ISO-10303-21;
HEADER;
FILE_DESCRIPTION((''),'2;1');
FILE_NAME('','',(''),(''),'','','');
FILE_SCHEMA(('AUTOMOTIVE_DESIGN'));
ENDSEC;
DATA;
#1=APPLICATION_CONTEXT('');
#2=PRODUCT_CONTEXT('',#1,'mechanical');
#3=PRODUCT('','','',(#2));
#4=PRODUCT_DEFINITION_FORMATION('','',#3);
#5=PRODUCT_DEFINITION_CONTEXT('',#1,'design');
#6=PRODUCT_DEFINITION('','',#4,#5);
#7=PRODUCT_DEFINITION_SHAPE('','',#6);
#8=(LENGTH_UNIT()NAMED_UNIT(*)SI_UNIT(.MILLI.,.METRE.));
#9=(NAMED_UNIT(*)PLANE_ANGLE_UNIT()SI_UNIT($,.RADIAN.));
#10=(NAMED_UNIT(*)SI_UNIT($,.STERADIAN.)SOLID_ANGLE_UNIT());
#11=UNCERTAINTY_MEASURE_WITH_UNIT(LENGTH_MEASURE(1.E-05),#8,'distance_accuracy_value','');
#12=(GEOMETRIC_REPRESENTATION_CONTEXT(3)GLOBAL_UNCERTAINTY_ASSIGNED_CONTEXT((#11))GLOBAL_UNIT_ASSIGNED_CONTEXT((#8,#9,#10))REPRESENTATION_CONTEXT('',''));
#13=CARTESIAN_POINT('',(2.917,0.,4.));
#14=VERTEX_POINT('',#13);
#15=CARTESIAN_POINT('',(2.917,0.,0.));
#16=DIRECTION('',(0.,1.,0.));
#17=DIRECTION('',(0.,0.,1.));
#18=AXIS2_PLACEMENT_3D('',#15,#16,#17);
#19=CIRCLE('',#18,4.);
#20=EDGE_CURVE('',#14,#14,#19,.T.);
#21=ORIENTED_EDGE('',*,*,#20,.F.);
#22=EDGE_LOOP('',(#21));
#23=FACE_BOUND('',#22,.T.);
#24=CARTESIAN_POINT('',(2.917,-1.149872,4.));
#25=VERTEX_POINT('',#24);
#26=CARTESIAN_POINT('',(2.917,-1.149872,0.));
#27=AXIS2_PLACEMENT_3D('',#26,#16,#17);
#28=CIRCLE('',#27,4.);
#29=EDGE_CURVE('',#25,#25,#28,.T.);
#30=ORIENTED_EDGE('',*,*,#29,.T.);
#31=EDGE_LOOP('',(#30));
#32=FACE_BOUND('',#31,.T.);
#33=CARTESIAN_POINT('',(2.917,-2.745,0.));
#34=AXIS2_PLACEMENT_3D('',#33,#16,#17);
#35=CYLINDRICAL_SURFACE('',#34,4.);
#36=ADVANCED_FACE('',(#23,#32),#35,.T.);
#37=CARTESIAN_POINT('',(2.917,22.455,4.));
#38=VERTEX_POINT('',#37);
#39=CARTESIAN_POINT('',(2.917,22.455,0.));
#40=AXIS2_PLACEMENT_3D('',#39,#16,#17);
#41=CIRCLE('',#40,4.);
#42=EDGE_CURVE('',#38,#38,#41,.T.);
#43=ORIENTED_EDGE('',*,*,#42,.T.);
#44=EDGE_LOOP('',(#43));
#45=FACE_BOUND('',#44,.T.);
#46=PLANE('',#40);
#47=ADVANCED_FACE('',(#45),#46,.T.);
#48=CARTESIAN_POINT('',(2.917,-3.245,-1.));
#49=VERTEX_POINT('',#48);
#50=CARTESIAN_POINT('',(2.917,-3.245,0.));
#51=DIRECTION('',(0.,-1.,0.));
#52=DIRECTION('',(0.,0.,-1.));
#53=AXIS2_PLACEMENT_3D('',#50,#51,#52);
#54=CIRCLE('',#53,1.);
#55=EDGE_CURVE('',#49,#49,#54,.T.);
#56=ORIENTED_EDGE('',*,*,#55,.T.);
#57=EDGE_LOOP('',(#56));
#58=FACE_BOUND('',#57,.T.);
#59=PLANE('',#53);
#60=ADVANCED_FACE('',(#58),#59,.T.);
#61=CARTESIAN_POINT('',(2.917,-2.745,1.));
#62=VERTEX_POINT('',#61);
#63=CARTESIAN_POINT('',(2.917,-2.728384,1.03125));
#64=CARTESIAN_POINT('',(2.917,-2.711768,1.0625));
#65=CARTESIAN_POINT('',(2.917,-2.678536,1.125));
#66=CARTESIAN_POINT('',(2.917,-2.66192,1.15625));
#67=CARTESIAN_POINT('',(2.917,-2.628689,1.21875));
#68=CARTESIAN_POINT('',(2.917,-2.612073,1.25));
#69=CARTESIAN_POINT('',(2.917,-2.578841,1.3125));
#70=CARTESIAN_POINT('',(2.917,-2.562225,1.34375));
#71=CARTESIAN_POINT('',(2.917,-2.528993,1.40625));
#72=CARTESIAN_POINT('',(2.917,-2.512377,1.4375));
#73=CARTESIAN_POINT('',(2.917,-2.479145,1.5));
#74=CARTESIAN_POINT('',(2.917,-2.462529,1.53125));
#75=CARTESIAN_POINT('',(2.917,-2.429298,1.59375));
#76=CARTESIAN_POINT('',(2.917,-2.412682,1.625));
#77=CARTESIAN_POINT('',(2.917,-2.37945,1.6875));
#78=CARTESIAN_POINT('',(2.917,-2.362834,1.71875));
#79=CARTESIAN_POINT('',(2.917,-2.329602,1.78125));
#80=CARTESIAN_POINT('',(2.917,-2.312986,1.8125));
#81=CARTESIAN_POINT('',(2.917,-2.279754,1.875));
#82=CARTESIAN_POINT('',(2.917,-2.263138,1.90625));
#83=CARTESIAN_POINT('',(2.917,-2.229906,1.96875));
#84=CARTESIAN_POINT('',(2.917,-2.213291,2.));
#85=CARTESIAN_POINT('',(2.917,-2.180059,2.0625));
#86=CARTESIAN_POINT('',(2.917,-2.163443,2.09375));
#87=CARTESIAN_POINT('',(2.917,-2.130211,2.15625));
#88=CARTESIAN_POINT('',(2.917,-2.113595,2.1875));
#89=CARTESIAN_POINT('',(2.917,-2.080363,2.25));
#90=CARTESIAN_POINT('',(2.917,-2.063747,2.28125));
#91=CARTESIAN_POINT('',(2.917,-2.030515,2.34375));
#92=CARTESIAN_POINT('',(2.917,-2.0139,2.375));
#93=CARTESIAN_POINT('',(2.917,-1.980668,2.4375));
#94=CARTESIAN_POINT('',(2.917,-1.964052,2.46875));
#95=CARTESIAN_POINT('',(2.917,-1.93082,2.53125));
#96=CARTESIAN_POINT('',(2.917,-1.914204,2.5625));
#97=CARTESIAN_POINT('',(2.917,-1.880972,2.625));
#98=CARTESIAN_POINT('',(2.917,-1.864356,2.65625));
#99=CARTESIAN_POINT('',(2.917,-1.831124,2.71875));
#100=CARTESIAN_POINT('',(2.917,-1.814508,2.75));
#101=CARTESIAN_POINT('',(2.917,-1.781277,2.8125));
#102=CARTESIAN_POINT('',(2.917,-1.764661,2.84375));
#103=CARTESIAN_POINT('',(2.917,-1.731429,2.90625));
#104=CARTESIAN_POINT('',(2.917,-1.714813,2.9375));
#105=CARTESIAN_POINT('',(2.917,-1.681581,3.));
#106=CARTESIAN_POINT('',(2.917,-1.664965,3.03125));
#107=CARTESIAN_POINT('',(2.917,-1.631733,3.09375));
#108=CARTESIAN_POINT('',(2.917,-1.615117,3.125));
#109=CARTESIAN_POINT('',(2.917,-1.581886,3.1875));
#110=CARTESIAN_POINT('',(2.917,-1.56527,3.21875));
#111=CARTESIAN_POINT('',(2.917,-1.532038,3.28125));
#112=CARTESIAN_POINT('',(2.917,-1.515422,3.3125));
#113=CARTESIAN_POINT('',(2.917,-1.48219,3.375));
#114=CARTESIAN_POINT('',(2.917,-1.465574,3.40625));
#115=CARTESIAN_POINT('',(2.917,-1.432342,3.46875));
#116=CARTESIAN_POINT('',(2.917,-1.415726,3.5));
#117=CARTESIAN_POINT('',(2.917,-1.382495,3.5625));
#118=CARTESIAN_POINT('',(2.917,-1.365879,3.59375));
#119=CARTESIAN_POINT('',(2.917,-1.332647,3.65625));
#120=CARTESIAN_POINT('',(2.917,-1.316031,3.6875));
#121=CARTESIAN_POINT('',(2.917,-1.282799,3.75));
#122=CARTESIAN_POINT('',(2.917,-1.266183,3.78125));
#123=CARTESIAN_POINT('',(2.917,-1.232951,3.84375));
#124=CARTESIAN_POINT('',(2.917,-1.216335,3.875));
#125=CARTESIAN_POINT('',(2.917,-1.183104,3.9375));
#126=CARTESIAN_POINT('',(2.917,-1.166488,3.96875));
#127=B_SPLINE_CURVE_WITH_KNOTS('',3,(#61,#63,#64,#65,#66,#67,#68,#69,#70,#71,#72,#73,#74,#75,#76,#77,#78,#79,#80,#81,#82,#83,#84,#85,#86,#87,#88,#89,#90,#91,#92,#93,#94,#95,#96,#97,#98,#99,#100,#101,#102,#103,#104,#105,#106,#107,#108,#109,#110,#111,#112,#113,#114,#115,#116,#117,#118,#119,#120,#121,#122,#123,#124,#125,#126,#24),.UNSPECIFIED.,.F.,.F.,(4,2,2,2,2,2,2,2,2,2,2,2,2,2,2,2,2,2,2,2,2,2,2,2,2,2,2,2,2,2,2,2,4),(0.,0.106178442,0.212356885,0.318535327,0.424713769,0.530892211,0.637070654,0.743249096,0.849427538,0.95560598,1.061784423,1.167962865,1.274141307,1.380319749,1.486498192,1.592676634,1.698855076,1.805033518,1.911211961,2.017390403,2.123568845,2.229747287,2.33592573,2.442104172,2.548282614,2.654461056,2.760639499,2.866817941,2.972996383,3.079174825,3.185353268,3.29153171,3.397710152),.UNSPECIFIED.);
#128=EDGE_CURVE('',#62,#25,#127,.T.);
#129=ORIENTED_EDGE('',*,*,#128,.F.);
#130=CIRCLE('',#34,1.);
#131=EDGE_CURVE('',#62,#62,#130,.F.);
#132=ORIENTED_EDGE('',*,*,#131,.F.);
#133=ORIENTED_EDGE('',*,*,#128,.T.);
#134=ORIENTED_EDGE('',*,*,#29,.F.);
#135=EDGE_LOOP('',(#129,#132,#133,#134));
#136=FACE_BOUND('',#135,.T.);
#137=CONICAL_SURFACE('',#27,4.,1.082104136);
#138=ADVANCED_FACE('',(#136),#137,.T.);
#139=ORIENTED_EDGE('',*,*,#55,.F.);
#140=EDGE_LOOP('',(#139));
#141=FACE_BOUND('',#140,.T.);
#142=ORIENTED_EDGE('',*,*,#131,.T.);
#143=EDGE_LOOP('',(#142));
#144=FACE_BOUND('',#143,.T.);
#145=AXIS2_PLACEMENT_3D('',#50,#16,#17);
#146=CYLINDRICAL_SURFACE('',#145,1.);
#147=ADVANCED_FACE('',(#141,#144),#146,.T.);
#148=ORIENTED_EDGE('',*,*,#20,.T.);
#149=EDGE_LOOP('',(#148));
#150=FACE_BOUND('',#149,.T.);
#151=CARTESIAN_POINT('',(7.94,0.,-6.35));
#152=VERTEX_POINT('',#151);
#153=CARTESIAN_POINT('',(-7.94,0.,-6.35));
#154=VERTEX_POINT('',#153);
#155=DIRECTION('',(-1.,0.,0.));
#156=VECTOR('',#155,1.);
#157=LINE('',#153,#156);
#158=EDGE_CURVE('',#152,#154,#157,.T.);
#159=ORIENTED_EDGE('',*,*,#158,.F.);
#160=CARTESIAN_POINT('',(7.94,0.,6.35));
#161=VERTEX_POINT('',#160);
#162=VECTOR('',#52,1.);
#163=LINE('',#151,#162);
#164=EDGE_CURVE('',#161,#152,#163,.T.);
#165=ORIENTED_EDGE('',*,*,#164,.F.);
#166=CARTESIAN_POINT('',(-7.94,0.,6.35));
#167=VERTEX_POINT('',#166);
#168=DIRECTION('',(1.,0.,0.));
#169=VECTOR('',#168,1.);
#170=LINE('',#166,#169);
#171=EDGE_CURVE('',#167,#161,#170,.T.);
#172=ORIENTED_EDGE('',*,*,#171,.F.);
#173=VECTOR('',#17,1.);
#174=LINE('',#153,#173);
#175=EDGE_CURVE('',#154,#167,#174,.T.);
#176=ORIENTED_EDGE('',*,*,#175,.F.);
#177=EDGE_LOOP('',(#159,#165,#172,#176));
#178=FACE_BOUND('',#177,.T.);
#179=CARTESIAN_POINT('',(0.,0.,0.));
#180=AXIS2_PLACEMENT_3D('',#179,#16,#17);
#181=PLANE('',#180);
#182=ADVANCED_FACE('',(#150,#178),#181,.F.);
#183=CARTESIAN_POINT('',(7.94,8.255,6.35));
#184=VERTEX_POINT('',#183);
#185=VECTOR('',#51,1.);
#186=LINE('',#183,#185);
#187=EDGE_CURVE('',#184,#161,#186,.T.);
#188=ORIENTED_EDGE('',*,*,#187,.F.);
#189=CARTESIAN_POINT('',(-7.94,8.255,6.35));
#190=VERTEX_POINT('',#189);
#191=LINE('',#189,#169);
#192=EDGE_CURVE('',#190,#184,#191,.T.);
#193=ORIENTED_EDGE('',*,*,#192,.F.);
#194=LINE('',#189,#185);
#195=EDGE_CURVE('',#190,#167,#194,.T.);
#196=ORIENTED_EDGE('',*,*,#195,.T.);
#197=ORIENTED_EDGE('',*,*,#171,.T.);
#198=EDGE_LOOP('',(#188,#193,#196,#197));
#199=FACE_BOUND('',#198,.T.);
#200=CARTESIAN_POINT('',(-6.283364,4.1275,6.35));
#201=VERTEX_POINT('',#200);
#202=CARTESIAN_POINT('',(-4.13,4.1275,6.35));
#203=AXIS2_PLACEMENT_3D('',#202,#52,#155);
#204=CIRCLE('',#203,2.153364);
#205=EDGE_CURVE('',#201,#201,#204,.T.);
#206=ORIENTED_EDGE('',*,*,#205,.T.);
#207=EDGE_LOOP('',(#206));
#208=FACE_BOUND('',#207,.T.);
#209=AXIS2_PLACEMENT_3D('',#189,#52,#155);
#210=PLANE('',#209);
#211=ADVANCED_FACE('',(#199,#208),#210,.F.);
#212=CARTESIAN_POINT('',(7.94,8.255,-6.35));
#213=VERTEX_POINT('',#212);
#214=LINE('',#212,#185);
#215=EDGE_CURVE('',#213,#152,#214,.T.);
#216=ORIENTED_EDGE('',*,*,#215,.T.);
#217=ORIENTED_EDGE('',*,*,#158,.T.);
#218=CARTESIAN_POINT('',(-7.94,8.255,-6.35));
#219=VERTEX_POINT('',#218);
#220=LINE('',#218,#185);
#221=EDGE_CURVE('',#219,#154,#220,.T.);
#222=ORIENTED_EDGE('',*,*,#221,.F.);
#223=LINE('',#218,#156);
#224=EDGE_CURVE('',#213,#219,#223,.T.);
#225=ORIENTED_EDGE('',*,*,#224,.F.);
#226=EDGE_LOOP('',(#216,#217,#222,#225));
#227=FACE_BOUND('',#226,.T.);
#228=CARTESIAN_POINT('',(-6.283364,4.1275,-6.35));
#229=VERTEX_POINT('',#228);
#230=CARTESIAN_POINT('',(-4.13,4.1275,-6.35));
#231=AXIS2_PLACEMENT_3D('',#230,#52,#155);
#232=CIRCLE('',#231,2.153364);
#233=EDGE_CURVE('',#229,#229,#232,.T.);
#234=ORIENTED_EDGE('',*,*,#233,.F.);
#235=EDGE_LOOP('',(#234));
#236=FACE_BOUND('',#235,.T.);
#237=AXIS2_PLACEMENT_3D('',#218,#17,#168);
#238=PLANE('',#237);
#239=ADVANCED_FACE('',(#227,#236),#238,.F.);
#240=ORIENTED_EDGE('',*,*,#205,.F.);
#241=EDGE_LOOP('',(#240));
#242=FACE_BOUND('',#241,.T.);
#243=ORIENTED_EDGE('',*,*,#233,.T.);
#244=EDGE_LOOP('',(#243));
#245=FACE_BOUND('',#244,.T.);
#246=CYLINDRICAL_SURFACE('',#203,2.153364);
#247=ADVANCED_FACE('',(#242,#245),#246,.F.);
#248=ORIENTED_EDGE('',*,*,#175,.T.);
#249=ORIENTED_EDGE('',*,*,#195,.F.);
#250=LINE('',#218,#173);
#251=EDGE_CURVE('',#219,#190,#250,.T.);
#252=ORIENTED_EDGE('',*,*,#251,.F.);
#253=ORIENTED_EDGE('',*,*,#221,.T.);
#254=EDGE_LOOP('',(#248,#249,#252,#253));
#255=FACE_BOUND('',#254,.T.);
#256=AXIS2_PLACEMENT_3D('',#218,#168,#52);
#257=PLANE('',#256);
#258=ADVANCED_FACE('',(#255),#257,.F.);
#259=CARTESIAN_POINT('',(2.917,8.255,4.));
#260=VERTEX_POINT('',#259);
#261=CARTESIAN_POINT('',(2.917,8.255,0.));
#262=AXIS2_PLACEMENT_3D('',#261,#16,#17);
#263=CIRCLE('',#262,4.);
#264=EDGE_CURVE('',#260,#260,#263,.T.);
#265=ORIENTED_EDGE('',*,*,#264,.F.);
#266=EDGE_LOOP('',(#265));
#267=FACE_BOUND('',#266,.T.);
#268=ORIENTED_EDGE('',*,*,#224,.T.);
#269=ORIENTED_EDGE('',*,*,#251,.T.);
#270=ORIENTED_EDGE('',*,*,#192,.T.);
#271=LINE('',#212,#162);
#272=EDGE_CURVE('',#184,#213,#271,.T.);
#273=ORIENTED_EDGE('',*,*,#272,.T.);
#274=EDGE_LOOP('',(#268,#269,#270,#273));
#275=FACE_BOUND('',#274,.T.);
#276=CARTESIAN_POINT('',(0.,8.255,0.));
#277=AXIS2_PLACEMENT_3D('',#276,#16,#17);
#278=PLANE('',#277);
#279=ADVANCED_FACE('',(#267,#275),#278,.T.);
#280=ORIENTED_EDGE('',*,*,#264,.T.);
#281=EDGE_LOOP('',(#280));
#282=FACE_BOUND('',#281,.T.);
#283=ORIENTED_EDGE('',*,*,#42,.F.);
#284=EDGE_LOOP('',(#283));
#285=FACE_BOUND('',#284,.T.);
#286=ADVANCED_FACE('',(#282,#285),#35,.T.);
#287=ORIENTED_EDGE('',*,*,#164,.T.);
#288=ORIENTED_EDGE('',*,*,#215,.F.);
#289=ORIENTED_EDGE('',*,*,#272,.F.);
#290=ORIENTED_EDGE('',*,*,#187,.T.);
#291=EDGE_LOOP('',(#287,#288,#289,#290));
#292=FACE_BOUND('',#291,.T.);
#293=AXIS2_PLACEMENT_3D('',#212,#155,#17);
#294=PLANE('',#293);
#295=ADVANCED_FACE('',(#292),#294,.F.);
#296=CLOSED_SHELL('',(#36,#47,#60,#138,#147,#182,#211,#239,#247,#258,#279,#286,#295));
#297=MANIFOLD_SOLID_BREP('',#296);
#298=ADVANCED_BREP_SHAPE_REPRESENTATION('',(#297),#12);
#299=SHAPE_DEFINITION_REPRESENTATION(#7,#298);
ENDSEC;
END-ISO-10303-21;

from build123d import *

# Parameters (mm, degrees)
SKETCH1_W                = 15.88
SKETCH1_H                = 12.7
BOSS_EXTRUDE1_DEPTH      = 8.255
BOSS_EXTRUDE2_DEPTH      = 14.2
BOSS_EXTRUDE2_DEPTH_BACK = 11
SKETCH2_R                = 4
CHAMFER1_SIZE            = 3
CHAMFER1_SIZE2           = 1.595128295
SKETCH4_R                = 1
BOSS_EXTRUDE3_DEPTH      = 0.5
SKETCH5_R                = 2.153363707
CUT_EXTRUDE1_DEPTH       = 27.9918622


with BuildPart() as part:
    # Sketch1 → Boss-Extrude1 (new body)
    with BuildSketch(Plane(origin=(0, 0, 0), x_dir=(1, 0, 0), z_dir=(0, 1, 0))):
        Rectangle(SKETCH1_W, SKETCH1_H)
    extrude(amount=BOSS_EXTRUDE1_DEPTH)

    # Sketch2 → Boss-Extrude2 (add, two sides: drawn at the far end of the back side and taken through both)
    with BuildSketch(Plane(origin=(0, 8.255, 0), x_dir=(1, 0, 0), z_dir=(0, 1, 0)).offset(-BOSS_EXTRUDE2_DEPTH_BACK)):
        with Locations(Location((2.917, 0, 0), (0, 0, 270))):
            Circle(SKETCH2_R)
    extrude(amount=BOSS_EXTRUDE2_DEPTH + BOSS_EXTRUDE2_DEPTH_BACK)

    # Chamfer1
    chamfer1_edges = [part.edges().sort_by_distance(p)[0] for p in [
        (2.917, -2.745, -4),
    ]]
    chamfer1_side = [part.faces().sort_by_distance(p)[0] for p in [
        (2.917, -2.745, 0),
    ]]
    chamfer(chamfer1_edges, length=CHAMFER1_SIZE, length2=CHAMFER1_SIZE2, reference=chamfer1_side[0])

    # Sketch4 → Boss-Extrude3 (add)
    with BuildSketch(Plane.XZ.offset(2.745)):
        with Locations(Location((2.917, 0, 0), (0, 0, 90))):
            Circle(SKETCH4_R)
    extrude(amount=BOSS_EXTRUDE3_DEPTH)

    # Sketch5 → Cut-Extrude1 (cut, through all)
    with BuildSketch(Plane(origin=(0, 0, -6.35), x_dir=(-1, 0, 0), z_dir=(0, 0, -1))):
        with Locations((4.13, 4.1275)):
            Circle(SKETCH5_R)
    extrude(amount=-CUT_EXTRUDE1_DEPTH, mode=Mode.SUBTRACT)


solid = part.part
